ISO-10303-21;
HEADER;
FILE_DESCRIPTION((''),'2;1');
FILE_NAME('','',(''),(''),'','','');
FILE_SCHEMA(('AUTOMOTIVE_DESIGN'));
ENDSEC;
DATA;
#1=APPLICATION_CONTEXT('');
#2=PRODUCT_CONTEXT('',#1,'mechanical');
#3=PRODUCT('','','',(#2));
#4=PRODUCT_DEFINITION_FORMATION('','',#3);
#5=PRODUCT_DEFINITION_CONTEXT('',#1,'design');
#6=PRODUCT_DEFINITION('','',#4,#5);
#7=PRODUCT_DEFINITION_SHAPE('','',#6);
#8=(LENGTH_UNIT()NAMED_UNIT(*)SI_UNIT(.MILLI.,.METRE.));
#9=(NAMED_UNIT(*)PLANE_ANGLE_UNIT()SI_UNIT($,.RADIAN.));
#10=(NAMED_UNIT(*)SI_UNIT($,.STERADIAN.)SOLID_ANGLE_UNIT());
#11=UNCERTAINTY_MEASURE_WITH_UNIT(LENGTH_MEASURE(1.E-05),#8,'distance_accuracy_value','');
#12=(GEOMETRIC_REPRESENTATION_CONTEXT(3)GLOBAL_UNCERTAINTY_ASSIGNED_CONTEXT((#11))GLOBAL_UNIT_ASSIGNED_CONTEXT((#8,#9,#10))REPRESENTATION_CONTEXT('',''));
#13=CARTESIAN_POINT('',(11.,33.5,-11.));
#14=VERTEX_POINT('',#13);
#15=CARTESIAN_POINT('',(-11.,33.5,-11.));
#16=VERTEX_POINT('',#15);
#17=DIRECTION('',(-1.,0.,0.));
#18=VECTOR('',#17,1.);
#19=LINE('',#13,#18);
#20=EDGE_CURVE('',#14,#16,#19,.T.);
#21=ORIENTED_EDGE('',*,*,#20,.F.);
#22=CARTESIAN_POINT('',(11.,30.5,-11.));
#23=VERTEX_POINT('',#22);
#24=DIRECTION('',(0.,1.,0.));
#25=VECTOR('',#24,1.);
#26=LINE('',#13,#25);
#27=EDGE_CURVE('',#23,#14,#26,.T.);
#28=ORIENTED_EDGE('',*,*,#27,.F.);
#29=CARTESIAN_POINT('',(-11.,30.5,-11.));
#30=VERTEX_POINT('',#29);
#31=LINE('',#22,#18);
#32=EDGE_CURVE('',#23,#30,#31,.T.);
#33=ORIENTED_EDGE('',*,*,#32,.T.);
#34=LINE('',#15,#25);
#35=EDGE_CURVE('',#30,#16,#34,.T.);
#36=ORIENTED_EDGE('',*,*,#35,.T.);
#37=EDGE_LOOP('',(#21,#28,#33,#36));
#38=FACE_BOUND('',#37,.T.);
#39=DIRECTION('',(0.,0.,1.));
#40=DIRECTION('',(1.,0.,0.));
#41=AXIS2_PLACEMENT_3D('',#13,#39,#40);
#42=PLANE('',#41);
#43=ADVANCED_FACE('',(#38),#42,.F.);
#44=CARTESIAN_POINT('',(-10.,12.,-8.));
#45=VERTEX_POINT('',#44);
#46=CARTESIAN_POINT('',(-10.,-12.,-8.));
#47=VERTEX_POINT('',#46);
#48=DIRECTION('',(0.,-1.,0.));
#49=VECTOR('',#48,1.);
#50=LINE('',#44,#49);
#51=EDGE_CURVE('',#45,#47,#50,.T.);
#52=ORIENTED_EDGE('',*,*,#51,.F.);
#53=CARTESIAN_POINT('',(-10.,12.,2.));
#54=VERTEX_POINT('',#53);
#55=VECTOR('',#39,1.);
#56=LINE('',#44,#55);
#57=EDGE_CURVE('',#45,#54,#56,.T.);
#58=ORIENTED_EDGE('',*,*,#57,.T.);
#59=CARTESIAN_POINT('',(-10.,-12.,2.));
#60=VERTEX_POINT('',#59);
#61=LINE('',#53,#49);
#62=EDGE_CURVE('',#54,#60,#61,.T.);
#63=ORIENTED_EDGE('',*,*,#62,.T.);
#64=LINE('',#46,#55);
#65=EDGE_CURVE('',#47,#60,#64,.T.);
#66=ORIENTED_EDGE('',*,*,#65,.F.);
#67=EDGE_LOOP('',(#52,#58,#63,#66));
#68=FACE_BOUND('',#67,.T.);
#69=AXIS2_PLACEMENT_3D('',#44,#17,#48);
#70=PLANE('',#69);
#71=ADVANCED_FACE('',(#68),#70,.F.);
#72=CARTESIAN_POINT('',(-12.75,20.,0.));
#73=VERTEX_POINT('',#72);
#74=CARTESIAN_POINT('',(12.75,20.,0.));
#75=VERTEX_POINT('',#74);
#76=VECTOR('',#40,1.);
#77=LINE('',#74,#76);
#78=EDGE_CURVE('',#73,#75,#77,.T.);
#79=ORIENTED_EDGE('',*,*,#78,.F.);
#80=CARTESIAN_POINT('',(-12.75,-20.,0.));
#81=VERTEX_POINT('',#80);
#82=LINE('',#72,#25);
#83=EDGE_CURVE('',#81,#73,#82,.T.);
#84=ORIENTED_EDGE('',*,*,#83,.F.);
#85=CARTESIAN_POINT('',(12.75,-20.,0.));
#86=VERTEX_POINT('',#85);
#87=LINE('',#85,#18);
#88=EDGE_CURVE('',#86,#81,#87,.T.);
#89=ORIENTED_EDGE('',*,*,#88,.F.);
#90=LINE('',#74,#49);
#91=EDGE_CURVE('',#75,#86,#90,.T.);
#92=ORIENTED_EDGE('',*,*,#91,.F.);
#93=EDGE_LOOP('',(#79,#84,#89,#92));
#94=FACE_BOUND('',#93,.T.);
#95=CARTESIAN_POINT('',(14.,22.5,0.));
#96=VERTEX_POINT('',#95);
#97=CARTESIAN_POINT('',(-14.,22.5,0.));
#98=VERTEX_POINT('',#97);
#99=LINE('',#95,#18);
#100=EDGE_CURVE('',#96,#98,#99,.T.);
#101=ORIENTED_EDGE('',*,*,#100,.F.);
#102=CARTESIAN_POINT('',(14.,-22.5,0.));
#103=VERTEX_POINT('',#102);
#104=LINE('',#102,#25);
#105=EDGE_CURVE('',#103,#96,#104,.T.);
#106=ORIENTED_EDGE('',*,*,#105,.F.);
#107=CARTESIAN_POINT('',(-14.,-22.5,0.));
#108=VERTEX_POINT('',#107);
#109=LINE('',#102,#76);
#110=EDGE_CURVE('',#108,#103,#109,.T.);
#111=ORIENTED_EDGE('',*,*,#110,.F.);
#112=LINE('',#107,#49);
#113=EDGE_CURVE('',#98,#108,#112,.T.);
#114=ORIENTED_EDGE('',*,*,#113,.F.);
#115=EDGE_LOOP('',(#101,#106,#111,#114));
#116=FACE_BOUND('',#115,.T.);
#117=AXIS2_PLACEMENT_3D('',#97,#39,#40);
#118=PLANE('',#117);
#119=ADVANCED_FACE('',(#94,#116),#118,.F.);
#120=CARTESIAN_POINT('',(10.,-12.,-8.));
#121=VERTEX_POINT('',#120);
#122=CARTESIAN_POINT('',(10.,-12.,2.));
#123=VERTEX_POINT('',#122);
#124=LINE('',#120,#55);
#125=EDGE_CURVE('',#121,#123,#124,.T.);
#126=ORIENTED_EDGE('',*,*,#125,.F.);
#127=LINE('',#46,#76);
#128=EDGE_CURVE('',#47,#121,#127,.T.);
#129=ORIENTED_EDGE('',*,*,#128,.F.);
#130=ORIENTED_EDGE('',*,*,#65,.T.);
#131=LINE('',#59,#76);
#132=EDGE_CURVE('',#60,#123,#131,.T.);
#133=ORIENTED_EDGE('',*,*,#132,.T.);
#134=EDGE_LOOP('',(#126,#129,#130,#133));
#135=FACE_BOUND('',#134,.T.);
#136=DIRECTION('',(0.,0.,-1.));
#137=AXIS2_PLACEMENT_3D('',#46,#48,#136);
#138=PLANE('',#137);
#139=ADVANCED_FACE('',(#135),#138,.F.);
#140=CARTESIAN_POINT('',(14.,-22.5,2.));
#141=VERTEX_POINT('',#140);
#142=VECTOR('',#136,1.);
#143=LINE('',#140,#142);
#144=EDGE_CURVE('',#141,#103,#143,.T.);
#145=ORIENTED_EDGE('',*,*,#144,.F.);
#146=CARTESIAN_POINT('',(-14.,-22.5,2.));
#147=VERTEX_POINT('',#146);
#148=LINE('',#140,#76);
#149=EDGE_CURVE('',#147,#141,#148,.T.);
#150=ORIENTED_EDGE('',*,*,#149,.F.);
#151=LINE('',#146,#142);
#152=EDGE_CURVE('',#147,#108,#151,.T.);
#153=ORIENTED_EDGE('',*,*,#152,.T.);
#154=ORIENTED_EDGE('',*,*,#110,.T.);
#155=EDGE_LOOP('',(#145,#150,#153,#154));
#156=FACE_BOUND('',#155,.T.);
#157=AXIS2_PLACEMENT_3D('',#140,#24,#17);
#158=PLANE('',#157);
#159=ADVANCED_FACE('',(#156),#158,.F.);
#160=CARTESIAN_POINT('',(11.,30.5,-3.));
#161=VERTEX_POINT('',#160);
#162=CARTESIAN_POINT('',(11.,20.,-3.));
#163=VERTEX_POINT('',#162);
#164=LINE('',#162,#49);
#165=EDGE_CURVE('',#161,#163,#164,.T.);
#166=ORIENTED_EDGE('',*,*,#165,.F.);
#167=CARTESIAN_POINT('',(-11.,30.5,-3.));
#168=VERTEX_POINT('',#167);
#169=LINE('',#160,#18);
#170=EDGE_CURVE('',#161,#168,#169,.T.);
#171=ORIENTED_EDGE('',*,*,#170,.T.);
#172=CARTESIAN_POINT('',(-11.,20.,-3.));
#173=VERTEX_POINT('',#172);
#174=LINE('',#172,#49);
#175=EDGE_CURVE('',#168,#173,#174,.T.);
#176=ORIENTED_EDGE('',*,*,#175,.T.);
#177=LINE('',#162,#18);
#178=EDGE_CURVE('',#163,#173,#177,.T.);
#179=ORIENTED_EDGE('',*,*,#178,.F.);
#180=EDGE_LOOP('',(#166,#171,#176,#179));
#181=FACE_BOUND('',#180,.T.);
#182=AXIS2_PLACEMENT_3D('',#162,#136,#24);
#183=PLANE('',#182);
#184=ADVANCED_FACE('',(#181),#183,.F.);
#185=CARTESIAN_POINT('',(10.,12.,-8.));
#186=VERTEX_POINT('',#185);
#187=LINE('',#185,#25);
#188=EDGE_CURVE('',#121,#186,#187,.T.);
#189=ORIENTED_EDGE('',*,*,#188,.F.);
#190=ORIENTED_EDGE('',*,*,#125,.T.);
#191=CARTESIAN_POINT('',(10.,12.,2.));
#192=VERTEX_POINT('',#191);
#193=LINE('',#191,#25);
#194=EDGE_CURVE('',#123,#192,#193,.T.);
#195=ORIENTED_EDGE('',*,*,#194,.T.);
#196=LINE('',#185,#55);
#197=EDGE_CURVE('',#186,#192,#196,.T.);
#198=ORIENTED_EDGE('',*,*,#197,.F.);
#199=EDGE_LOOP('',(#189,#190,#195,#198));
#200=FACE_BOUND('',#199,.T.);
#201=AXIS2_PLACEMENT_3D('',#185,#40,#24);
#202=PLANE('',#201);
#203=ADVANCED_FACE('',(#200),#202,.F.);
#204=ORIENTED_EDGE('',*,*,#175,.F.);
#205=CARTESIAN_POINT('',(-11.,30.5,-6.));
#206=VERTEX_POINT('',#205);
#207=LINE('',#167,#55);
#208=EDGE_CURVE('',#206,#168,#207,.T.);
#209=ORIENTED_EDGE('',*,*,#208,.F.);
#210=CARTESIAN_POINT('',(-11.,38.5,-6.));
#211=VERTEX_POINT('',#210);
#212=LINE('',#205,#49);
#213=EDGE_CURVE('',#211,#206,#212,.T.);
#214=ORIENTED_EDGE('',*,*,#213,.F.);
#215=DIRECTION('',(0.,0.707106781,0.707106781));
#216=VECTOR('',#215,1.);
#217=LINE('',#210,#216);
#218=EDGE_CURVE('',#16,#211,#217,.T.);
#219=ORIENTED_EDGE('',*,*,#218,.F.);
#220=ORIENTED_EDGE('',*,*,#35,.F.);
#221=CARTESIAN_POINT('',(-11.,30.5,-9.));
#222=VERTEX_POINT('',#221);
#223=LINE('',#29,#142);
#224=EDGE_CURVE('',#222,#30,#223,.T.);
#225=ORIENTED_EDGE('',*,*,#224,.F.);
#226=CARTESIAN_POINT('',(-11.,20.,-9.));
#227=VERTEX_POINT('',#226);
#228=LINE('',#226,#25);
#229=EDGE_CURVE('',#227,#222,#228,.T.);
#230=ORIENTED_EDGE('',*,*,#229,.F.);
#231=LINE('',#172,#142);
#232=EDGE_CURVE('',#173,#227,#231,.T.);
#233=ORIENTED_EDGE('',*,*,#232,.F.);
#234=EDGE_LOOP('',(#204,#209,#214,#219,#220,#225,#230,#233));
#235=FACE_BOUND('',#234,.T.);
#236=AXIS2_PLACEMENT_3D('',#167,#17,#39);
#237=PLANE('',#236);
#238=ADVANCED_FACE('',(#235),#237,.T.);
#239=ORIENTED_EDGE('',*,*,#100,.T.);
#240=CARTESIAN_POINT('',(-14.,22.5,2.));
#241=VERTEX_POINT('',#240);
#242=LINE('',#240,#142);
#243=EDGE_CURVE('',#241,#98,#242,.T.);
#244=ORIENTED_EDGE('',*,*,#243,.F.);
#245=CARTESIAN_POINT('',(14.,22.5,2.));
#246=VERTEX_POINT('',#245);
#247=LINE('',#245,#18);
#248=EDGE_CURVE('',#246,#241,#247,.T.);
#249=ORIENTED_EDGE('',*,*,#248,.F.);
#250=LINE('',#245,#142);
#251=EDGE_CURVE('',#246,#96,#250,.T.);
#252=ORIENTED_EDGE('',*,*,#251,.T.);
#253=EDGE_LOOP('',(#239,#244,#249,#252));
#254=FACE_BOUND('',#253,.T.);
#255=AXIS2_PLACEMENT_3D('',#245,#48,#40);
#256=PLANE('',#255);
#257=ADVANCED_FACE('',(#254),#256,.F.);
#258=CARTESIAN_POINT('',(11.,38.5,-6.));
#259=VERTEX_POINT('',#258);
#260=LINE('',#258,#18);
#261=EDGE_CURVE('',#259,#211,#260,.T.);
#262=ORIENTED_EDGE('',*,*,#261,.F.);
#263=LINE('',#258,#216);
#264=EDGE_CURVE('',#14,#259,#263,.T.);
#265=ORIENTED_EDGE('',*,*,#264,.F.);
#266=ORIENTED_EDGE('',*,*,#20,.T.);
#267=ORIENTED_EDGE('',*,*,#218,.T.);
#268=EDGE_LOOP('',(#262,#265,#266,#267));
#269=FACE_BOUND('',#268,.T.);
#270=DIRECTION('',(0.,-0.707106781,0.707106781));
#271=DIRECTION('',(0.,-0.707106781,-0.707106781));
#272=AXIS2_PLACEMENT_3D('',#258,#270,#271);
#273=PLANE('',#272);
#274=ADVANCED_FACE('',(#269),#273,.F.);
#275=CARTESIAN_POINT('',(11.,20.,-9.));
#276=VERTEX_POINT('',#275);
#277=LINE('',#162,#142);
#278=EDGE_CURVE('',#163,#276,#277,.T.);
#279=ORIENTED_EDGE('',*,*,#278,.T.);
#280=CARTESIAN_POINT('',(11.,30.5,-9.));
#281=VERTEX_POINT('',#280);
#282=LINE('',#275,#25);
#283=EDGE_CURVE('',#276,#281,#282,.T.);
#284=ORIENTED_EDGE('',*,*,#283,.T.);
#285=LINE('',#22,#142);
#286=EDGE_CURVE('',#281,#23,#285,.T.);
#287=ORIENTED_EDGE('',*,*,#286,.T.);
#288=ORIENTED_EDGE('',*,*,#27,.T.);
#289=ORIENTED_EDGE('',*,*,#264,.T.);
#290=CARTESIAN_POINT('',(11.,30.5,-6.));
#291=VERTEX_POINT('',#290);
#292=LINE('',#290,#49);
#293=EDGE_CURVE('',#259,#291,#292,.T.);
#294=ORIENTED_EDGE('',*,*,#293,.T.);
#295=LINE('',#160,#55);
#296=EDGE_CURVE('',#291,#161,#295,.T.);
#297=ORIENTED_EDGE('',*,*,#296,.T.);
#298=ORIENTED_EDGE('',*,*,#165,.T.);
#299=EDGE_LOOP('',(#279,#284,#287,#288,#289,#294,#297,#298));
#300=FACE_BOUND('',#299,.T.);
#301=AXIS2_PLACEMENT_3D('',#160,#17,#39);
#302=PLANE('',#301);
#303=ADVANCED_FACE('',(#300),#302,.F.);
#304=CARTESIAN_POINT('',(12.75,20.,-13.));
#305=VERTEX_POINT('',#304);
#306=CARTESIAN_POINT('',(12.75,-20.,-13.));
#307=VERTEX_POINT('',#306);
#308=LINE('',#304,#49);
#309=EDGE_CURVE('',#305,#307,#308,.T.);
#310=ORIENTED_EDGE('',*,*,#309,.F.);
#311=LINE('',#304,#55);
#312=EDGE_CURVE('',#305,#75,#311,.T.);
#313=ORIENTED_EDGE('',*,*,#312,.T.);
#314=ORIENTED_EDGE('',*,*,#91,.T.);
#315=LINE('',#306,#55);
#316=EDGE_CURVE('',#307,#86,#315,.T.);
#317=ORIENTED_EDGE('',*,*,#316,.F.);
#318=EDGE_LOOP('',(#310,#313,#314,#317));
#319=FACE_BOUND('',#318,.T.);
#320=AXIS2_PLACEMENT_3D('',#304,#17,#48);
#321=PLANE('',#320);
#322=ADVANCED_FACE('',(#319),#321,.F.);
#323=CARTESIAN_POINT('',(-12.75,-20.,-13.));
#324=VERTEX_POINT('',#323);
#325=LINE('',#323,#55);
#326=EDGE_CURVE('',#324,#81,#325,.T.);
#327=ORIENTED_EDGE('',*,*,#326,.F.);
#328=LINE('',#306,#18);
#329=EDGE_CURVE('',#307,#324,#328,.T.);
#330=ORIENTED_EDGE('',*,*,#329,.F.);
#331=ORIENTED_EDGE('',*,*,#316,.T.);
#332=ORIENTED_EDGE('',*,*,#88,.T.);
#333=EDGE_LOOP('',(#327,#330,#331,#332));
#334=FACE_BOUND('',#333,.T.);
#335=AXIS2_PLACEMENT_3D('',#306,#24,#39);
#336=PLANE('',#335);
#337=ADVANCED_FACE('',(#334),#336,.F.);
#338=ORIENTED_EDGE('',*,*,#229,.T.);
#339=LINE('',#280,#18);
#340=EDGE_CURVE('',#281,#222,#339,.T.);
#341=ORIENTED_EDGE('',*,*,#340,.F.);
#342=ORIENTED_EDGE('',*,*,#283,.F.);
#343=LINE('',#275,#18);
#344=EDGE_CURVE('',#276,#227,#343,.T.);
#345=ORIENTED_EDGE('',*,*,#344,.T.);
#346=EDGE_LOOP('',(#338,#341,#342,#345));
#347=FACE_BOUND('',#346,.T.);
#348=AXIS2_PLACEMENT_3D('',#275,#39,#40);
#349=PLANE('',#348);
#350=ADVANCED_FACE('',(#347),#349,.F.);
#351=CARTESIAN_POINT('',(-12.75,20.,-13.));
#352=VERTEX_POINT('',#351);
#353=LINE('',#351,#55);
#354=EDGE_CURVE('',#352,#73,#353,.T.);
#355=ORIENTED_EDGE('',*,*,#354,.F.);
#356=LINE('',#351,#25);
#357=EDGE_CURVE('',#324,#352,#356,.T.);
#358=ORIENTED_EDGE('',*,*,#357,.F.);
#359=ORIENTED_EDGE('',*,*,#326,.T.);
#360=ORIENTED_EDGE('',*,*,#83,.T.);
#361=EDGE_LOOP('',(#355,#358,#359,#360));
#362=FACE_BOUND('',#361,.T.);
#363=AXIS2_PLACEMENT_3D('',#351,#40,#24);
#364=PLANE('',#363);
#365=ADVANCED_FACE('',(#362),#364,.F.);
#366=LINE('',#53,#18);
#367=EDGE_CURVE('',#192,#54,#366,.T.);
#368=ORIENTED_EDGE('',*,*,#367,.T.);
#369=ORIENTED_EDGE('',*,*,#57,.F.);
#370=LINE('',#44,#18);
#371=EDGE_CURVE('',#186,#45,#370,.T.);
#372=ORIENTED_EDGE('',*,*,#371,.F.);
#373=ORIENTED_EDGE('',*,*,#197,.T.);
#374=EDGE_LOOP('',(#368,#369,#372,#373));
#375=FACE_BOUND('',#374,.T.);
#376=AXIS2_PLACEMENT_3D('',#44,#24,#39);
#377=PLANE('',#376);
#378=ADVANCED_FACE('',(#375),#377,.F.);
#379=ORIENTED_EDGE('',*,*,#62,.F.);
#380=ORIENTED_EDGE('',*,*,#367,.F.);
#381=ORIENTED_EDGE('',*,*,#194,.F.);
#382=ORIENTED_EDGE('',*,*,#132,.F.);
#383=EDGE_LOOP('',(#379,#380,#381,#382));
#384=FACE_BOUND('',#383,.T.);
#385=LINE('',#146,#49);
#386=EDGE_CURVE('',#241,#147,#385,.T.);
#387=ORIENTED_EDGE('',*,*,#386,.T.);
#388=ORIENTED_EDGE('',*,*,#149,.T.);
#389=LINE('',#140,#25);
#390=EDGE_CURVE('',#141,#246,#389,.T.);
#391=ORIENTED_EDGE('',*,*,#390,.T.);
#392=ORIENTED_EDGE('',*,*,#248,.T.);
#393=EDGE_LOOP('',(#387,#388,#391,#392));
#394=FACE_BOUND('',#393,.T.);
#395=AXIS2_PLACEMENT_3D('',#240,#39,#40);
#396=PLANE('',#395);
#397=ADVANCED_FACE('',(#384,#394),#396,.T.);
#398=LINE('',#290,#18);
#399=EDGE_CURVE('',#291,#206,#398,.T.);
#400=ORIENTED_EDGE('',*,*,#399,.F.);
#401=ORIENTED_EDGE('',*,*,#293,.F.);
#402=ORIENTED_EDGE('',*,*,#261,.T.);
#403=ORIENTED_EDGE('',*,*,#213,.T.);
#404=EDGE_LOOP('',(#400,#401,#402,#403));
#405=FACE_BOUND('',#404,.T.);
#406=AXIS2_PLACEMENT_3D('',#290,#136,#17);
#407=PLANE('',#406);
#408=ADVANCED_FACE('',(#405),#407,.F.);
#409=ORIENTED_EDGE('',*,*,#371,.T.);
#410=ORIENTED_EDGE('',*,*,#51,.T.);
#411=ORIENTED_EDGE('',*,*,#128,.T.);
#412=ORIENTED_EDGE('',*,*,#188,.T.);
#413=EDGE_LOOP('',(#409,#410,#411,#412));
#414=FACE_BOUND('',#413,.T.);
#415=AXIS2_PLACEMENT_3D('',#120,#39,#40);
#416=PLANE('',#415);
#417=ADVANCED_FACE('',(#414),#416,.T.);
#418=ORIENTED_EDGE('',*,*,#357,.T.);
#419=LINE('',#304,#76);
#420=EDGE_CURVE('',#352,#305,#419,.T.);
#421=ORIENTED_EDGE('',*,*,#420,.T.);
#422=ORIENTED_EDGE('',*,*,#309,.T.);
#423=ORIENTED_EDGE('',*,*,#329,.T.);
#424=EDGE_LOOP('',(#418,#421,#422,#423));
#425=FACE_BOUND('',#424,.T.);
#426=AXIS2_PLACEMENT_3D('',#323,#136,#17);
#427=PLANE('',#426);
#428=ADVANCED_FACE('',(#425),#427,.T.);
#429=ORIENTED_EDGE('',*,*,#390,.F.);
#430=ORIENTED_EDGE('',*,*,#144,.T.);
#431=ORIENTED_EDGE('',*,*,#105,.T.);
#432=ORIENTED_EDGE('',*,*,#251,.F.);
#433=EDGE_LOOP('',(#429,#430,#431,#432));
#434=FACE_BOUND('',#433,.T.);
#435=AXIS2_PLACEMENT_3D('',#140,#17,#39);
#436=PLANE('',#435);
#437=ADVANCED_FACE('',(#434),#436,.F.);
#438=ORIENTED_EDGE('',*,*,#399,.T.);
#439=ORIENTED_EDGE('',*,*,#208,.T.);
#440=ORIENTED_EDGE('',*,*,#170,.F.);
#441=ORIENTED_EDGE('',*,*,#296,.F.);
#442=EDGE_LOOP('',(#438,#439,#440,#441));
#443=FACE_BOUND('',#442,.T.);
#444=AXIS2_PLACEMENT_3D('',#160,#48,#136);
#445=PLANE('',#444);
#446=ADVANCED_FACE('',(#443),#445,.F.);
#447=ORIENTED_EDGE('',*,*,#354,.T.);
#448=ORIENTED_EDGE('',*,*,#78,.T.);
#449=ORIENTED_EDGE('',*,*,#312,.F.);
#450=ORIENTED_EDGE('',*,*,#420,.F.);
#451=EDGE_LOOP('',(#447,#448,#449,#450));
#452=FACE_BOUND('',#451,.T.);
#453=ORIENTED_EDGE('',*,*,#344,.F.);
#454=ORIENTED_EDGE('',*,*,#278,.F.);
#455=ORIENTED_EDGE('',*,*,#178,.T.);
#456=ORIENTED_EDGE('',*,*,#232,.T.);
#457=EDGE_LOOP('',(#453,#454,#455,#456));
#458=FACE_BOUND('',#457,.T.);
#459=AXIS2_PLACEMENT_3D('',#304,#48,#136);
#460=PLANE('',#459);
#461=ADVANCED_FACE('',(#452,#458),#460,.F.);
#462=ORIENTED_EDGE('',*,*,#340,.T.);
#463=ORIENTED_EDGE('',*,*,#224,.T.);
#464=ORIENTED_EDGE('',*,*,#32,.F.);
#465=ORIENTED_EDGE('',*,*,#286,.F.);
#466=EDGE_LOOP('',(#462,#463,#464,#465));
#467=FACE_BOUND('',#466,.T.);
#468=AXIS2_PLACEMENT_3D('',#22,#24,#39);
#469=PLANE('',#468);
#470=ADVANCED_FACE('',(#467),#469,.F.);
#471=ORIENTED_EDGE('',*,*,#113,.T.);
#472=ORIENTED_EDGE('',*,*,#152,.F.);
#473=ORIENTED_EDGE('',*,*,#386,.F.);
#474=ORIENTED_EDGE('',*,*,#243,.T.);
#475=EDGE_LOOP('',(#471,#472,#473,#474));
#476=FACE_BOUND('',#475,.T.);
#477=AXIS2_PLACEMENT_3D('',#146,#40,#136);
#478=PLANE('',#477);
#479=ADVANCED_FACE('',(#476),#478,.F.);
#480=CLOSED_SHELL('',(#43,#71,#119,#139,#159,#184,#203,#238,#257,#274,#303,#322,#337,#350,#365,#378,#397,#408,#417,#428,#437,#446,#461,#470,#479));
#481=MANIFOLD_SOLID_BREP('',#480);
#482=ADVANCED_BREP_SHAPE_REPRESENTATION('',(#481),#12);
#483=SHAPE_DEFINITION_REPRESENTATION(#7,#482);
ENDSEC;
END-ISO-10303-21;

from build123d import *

# Parameters (mm, degrees)
SKETCH_1_W          = 28
SKETCH_1_H          = 45
EXTRUDE_1_DEPTH     = 2
SKETCH_2_W          = 25.5
SKETCH_2_H          = 40
EXTRUDE_2_DEPTH     = 13
EXTRUDE_3_DEPTH     = 11
SKETCH_4_W          = 20
SKETCH_4_H          = 24
CUT_EXTRUDE_1_DEPTH = 10


with BuildPart() as part:
    # 草图1 → 凸台-拉伸1 (new body)
    with BuildSketch(Plane.XY):
        Rectangle(SKETCH_1_W, SKETCH_1_H)
    extrude(amount=EXTRUDE_1_DEPTH)

    # 草图2 → 凸台-拉伸2 (add)
    with BuildSketch(Plane(origin=(0, 0, 0), x_dir=(-1, 0, 0), z_dir=(0, 0, -1))):
        Rectangle(SKETCH_2_W, SKETCH_2_H)
    extrude(amount=EXTRUDE_2_DEPTH)

    # 草图3 → 凸台-拉伸3 (add, symmetric)
    with BuildSketch(Plane(origin=(0, 0, 0), x_dir=(0, 0, -1), z_dir=(1, 0, 0))):
        Polygon((3, 20), (9, 20), (9, 30.5), (11, 30.5), (11, 33.5), (6, 38.5), (6, 30.5), (3, 30.5), align=None)
    extrude(amount=EXTRUDE_3_DEPTH, both=True)

    # 草图4 → 切除-拉伸1 (cut)
    with BuildSketch(Plane.XY.offset(2)):
        Rectangle(SKETCH_4_W, SKETCH_4_H)
    extrude(amount=-CUT_EXTRUDE_1_DEPTH, mode=Mode.SUBTRACT)


solid = part.part
